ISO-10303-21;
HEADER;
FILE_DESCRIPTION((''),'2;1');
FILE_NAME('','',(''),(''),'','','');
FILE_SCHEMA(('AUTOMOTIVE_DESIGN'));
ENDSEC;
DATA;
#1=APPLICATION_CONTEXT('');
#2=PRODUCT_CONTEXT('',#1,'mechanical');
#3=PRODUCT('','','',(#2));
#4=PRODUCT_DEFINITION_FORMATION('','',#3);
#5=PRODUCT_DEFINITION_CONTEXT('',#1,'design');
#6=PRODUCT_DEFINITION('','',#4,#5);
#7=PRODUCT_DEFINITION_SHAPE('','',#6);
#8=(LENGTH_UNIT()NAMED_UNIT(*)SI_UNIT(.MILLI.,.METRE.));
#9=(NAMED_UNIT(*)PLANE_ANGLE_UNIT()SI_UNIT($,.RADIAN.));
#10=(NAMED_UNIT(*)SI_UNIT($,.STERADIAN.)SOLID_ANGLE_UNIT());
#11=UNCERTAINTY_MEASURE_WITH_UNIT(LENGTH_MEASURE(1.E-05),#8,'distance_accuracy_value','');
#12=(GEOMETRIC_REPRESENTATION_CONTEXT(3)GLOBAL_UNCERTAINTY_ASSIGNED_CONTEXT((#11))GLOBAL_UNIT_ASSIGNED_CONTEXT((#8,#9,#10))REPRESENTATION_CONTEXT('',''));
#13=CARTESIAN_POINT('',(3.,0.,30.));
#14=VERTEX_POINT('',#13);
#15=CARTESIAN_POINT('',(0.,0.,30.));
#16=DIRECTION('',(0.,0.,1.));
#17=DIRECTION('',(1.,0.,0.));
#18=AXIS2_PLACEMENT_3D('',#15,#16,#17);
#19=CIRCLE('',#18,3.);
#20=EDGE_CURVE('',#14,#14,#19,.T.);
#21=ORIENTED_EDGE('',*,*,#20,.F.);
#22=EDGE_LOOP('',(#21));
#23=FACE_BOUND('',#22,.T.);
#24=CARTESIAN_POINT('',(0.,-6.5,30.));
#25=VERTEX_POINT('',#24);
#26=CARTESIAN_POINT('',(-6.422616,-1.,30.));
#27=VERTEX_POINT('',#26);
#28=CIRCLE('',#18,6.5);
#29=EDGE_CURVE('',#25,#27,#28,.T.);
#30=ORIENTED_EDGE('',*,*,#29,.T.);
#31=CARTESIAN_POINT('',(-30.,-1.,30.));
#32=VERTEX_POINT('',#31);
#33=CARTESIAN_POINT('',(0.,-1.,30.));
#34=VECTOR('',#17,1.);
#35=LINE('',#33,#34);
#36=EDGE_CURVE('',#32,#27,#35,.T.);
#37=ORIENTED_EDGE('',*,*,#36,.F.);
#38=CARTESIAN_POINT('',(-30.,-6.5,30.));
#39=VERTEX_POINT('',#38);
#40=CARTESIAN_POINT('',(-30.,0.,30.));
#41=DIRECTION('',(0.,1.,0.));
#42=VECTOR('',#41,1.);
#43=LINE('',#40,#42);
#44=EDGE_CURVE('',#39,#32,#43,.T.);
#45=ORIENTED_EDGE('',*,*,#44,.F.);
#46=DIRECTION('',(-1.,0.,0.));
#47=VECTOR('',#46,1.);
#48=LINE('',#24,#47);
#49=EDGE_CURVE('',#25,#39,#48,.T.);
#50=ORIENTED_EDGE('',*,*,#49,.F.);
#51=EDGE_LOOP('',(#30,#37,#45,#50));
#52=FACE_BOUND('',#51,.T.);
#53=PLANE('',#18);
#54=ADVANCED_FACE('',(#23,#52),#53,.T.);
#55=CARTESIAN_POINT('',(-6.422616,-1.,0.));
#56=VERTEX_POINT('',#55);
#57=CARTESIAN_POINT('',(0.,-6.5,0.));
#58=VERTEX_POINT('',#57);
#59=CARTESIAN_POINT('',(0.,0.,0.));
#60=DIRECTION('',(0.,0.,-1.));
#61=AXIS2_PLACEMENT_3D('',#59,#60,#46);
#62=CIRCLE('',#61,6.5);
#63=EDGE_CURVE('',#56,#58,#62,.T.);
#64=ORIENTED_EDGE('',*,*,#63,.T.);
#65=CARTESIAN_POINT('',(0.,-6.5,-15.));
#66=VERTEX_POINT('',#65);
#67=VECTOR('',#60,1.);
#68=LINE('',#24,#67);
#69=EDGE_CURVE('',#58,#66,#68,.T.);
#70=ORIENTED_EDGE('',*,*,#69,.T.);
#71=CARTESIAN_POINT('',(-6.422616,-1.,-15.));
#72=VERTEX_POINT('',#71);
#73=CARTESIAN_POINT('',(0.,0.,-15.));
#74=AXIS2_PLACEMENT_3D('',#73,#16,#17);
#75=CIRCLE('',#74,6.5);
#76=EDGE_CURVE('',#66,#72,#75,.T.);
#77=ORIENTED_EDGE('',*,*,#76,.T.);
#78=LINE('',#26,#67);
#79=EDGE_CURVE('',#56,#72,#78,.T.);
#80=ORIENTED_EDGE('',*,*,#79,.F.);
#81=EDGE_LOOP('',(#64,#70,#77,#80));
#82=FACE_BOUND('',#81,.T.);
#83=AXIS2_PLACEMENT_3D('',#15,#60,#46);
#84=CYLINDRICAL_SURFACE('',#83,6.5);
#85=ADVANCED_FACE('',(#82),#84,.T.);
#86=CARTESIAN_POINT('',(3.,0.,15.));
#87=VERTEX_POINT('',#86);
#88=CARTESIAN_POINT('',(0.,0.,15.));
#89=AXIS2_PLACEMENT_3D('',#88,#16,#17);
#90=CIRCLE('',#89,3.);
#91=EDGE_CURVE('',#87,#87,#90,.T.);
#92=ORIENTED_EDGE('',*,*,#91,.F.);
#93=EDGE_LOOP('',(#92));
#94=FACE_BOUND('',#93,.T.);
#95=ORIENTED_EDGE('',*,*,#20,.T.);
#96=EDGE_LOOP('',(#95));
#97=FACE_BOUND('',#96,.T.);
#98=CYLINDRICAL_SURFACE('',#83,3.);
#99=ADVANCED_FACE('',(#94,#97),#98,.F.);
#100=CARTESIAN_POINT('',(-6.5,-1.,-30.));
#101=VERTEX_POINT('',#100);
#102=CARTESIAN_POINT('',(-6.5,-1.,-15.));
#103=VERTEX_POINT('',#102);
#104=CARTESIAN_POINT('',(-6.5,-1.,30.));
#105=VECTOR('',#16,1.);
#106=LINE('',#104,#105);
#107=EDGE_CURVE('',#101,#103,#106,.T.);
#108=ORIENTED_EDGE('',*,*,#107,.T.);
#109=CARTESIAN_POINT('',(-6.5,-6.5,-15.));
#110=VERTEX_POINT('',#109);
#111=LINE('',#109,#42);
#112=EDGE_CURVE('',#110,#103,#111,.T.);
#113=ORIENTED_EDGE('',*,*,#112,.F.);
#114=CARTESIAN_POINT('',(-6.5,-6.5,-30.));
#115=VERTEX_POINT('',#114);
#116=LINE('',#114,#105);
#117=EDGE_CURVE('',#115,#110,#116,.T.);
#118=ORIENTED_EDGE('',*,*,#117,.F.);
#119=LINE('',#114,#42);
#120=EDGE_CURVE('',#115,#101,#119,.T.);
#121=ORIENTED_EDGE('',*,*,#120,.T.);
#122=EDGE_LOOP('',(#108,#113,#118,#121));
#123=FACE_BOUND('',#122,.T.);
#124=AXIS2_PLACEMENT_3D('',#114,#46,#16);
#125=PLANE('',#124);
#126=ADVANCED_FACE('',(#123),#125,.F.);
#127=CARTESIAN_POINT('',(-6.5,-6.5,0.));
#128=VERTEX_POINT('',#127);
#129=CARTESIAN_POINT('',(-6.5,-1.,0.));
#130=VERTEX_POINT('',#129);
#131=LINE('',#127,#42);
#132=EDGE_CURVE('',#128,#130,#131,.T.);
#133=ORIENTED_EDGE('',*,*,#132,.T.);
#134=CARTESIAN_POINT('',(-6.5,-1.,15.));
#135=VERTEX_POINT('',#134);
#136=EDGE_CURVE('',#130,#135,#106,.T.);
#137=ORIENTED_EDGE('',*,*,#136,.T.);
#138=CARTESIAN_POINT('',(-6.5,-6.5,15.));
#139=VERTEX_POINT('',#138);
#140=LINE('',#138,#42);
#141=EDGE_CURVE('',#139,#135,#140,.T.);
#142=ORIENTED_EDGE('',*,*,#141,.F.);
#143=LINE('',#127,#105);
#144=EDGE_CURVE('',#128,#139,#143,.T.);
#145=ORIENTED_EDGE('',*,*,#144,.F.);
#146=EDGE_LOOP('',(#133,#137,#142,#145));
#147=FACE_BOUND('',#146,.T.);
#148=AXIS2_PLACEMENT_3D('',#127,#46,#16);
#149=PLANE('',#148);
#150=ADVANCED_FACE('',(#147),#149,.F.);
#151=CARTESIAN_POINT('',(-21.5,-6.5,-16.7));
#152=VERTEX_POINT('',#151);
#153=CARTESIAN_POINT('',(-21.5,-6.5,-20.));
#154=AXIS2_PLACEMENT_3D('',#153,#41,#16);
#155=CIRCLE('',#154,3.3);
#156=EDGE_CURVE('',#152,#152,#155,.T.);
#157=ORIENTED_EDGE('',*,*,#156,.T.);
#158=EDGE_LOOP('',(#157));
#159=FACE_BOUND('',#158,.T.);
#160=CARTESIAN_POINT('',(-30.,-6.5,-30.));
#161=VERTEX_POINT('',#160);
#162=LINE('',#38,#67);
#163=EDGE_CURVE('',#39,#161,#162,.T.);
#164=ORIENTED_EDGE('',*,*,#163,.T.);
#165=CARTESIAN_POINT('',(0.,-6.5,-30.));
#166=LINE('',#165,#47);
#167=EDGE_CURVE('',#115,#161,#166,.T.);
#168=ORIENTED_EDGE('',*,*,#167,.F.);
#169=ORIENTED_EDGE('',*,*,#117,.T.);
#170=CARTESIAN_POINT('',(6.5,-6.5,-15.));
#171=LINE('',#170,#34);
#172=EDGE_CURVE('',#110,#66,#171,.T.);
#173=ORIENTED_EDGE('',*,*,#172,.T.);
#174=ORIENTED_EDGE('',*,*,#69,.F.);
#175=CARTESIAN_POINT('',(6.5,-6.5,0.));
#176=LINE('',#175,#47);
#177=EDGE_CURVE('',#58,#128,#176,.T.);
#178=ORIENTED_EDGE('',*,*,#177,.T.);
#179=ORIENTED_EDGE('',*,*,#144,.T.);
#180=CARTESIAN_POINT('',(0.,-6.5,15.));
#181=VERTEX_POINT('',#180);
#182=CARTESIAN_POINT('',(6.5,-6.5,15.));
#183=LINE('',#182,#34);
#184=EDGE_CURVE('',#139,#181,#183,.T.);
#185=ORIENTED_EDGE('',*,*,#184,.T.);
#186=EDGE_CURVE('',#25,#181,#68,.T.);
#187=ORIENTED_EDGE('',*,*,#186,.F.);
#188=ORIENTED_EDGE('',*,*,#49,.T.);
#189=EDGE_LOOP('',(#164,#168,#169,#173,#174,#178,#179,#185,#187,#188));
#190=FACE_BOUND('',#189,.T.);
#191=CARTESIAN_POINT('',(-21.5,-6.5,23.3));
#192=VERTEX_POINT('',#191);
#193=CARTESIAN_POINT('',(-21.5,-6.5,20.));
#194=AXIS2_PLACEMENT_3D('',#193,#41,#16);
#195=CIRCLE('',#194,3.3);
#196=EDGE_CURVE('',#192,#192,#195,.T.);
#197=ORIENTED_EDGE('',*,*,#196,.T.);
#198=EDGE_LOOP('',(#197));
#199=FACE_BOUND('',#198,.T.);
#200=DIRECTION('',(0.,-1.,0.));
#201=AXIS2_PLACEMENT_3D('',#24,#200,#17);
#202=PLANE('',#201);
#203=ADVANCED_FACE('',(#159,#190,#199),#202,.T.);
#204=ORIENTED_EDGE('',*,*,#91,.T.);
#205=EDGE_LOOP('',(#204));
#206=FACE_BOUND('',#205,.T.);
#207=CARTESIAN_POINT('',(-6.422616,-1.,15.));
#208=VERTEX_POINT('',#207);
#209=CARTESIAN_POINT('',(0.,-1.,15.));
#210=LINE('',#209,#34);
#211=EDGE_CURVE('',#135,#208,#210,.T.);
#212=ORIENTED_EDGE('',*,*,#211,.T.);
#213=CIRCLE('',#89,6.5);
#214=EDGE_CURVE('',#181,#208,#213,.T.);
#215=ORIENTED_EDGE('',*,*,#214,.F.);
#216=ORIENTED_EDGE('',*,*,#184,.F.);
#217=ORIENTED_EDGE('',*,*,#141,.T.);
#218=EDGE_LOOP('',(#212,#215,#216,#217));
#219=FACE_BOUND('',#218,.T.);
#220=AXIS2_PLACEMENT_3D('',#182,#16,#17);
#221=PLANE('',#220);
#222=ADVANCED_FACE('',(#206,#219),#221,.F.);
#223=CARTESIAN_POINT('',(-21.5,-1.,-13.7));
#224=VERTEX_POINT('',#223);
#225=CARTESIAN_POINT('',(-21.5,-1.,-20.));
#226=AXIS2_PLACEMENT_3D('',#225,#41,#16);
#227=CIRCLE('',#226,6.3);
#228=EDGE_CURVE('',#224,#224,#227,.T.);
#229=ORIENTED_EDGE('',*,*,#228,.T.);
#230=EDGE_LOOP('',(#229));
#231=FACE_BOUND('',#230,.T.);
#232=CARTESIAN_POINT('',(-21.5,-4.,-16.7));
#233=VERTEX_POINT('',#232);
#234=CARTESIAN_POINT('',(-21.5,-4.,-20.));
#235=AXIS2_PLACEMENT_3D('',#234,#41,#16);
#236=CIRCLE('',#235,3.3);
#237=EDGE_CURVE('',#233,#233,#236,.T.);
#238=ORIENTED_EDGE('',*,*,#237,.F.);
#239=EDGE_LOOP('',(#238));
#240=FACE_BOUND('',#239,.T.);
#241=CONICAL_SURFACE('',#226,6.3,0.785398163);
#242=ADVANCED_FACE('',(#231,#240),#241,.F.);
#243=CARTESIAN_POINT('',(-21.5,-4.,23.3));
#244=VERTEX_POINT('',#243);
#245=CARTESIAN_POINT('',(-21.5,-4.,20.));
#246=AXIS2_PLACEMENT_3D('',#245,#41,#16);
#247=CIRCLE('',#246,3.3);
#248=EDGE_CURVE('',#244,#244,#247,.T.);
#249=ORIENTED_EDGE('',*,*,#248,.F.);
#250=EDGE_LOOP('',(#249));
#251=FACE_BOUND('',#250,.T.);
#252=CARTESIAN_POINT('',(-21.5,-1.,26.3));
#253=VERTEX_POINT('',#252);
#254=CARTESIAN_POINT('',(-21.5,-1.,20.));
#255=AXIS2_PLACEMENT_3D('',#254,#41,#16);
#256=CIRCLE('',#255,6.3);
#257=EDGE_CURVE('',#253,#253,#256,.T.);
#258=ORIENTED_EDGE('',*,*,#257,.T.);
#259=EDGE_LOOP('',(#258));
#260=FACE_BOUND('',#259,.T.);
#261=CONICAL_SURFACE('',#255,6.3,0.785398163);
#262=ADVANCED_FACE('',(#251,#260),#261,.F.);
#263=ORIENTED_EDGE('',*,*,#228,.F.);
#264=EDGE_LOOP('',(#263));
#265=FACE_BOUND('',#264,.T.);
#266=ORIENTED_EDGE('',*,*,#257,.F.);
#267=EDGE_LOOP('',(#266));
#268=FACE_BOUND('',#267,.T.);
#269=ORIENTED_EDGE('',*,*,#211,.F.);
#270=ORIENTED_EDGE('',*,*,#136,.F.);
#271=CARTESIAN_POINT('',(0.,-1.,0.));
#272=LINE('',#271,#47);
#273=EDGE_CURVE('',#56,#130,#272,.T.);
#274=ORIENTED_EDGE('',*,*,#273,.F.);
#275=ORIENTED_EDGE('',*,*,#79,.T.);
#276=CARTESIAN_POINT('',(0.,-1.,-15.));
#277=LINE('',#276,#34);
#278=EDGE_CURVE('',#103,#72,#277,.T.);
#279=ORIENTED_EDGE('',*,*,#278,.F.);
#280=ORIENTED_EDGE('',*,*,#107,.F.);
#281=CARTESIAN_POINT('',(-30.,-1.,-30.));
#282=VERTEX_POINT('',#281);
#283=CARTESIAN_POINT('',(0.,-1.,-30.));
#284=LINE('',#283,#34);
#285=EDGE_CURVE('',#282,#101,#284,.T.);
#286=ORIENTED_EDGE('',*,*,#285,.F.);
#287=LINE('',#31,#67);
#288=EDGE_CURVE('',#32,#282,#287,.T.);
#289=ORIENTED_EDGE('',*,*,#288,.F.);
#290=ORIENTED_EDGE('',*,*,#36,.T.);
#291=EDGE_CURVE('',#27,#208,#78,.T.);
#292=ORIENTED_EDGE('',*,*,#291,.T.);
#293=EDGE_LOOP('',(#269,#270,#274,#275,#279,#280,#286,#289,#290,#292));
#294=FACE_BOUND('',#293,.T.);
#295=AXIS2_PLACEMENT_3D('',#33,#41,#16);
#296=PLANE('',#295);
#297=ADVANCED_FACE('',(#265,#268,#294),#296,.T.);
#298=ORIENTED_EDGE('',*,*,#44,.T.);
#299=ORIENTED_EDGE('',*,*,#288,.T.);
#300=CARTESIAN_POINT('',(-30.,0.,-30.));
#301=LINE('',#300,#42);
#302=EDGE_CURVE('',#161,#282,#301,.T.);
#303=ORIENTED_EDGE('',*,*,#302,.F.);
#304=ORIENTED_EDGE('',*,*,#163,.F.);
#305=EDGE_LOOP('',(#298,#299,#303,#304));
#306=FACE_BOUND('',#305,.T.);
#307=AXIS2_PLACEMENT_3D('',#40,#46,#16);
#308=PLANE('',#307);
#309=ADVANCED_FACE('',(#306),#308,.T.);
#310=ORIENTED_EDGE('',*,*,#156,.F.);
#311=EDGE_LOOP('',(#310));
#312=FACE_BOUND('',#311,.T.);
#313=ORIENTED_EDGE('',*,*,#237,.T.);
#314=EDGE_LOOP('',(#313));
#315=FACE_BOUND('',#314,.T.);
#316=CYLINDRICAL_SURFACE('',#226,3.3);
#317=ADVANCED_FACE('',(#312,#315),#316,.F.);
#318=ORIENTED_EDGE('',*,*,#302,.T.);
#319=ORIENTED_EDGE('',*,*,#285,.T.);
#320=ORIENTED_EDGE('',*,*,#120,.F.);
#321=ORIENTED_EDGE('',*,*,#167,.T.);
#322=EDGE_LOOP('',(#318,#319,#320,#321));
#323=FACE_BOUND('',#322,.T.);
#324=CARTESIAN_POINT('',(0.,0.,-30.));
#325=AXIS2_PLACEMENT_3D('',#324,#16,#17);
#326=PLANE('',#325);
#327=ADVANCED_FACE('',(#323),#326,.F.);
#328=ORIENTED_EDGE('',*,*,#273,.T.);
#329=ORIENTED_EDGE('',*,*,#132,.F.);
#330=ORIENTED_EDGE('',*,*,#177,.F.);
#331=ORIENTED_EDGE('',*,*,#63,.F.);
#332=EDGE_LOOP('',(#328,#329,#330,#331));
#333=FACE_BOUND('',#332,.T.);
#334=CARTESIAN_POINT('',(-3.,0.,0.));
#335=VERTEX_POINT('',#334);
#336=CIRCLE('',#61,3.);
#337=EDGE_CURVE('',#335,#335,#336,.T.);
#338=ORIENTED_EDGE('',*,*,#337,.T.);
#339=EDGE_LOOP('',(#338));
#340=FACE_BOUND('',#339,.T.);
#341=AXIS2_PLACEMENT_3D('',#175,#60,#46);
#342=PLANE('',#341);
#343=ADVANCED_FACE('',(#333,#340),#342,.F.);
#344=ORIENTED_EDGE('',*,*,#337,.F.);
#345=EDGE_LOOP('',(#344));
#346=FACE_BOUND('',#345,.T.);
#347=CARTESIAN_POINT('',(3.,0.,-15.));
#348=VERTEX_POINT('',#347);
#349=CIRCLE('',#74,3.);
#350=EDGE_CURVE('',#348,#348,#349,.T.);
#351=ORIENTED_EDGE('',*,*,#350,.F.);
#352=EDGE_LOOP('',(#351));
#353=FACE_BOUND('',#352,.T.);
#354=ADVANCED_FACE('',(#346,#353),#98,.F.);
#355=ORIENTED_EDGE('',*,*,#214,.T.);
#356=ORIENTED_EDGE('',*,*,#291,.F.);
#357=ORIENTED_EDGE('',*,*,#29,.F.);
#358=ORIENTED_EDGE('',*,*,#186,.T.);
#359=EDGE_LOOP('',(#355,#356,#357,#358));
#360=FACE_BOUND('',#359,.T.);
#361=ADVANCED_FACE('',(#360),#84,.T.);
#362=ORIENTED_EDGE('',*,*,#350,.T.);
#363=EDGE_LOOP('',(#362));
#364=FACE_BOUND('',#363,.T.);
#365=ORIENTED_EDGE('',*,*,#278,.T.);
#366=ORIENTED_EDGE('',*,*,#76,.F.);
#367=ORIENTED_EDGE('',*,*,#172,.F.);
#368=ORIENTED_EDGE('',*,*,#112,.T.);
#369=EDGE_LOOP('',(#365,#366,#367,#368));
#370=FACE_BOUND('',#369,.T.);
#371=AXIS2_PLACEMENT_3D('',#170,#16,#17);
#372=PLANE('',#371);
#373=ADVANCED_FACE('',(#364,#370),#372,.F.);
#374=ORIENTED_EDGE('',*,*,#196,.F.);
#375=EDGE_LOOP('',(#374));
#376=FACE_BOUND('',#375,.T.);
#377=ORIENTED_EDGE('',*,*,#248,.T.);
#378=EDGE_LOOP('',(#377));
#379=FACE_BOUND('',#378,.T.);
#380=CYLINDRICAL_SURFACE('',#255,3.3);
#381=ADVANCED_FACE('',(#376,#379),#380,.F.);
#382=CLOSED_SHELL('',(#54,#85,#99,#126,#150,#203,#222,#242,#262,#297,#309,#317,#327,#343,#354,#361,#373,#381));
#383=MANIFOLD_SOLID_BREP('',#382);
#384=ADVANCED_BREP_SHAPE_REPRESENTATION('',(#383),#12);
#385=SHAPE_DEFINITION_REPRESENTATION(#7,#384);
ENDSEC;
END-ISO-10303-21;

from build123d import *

# Parameters (mm, degrees)
SKETCH1_R                                    = 6.5
SKETCH1_R_2                                  = 3
BOSS_EXTRUDE1_DEPTH                          = 30
CSK_FOR_M6_COUNTERSUNK_FLAT_HEAD_SCR_2_COUNT = 2
CSK_FOR_M6_COUNTERSUNK_FLAT_HEAD_SCR_2_PITCH = 40
CUT_EXTRUDE1_DEPTH                           = 43.921439864
CUT_EXTRUDE1_DEPTH_BACK                      = 43.921439864
SKETCH4_W                                    = 13
SKETCH4_H                                    = 15


with BuildPart() as part:
    # Sketch1 → Boss-Extrude1 (new, symmetric)
    # profile 1 of 2: a face of its own
    with BuildSketch(Plane.XY):
        with BuildLine():
            Line((-30, -6.5), (0, -6.5))
            ThreePointArc((0, -6.5), (-4.227883631, -4.937104415), (-6.422616289, -1))
            Line((-6.422616289, -1), (-30, -1))
            Line((-30, -1), (-30, -6.5))
        make_face()
    # profile 2 of 2: a face of its own
    with BuildSketch(Plane.XY):
        Circle(SKETCH1_R)
        Circle(SKETCH1_R_2, mode=Mode.SUBTRACT)
    extrude(amount=BOSS_EXTRUDE1_DEPTH, both=True)

    # Sketch3 → CSK for M6 Countersunk Flat Head Screw1 (revolve, cut)
    with BuildSketch(Plane(origin=(-21.5, -1, -20), x_dir=(0, 0, 1), z_dir=(1, 0, 0))):
        Polygon((0, 0), (0, 5.5), (3.3, 5.5), (3.3, 3), (6.3, 0), align=None)
    csk_for_m6_countersunk_flat_head_screw1 = revolve(axis=Axis((-21.5, 5.35, -20), (0, -1, 0)), mode=Mode.SUBTRACT)

    # CSK for M6 Countersunk Flat Head Scr 2: CSK for M6 Countersunk Flat Head Screw1 ×2
    with Locations(*[(0, 0, i * CSK_FOR_M6_COUNTERSUNK_FLAT_HEAD_SCR_2_PITCH) for i in range(1, CSK_FOR_M6_COUNTERSUNK_FLAT_HEAD_SCR_2_COUNT)]):
        add(csk_for_m6_countersunk_flat_head_screw1, mode=Mode.SUBTRACT)

    # Sketch4 → Cut-Extrude1 (cut, two sides: drawn at the far end of the back side and taken through both)
    with BuildSketch(Plane(origin=(0, 0, 0), x_dir=(1, 0, 0), z_dir=(0, 1, 0)).offset(-CUT_EXTRUDE1_DEPTH_BACK)):
        with Locations((0, 22.5)):
            Rectangle(SKETCH4_W, SKETCH4_H)
        with Locations((0, -7.5)):
            Rectangle(SKETCH4_W, SKETCH4_H)
    extrude(amount=CUT_EXTRUDE1_DEPTH + CUT_EXTRUDE1_DEPTH_BACK, mode=Mode.SUBTRACT)


solid = part.part
